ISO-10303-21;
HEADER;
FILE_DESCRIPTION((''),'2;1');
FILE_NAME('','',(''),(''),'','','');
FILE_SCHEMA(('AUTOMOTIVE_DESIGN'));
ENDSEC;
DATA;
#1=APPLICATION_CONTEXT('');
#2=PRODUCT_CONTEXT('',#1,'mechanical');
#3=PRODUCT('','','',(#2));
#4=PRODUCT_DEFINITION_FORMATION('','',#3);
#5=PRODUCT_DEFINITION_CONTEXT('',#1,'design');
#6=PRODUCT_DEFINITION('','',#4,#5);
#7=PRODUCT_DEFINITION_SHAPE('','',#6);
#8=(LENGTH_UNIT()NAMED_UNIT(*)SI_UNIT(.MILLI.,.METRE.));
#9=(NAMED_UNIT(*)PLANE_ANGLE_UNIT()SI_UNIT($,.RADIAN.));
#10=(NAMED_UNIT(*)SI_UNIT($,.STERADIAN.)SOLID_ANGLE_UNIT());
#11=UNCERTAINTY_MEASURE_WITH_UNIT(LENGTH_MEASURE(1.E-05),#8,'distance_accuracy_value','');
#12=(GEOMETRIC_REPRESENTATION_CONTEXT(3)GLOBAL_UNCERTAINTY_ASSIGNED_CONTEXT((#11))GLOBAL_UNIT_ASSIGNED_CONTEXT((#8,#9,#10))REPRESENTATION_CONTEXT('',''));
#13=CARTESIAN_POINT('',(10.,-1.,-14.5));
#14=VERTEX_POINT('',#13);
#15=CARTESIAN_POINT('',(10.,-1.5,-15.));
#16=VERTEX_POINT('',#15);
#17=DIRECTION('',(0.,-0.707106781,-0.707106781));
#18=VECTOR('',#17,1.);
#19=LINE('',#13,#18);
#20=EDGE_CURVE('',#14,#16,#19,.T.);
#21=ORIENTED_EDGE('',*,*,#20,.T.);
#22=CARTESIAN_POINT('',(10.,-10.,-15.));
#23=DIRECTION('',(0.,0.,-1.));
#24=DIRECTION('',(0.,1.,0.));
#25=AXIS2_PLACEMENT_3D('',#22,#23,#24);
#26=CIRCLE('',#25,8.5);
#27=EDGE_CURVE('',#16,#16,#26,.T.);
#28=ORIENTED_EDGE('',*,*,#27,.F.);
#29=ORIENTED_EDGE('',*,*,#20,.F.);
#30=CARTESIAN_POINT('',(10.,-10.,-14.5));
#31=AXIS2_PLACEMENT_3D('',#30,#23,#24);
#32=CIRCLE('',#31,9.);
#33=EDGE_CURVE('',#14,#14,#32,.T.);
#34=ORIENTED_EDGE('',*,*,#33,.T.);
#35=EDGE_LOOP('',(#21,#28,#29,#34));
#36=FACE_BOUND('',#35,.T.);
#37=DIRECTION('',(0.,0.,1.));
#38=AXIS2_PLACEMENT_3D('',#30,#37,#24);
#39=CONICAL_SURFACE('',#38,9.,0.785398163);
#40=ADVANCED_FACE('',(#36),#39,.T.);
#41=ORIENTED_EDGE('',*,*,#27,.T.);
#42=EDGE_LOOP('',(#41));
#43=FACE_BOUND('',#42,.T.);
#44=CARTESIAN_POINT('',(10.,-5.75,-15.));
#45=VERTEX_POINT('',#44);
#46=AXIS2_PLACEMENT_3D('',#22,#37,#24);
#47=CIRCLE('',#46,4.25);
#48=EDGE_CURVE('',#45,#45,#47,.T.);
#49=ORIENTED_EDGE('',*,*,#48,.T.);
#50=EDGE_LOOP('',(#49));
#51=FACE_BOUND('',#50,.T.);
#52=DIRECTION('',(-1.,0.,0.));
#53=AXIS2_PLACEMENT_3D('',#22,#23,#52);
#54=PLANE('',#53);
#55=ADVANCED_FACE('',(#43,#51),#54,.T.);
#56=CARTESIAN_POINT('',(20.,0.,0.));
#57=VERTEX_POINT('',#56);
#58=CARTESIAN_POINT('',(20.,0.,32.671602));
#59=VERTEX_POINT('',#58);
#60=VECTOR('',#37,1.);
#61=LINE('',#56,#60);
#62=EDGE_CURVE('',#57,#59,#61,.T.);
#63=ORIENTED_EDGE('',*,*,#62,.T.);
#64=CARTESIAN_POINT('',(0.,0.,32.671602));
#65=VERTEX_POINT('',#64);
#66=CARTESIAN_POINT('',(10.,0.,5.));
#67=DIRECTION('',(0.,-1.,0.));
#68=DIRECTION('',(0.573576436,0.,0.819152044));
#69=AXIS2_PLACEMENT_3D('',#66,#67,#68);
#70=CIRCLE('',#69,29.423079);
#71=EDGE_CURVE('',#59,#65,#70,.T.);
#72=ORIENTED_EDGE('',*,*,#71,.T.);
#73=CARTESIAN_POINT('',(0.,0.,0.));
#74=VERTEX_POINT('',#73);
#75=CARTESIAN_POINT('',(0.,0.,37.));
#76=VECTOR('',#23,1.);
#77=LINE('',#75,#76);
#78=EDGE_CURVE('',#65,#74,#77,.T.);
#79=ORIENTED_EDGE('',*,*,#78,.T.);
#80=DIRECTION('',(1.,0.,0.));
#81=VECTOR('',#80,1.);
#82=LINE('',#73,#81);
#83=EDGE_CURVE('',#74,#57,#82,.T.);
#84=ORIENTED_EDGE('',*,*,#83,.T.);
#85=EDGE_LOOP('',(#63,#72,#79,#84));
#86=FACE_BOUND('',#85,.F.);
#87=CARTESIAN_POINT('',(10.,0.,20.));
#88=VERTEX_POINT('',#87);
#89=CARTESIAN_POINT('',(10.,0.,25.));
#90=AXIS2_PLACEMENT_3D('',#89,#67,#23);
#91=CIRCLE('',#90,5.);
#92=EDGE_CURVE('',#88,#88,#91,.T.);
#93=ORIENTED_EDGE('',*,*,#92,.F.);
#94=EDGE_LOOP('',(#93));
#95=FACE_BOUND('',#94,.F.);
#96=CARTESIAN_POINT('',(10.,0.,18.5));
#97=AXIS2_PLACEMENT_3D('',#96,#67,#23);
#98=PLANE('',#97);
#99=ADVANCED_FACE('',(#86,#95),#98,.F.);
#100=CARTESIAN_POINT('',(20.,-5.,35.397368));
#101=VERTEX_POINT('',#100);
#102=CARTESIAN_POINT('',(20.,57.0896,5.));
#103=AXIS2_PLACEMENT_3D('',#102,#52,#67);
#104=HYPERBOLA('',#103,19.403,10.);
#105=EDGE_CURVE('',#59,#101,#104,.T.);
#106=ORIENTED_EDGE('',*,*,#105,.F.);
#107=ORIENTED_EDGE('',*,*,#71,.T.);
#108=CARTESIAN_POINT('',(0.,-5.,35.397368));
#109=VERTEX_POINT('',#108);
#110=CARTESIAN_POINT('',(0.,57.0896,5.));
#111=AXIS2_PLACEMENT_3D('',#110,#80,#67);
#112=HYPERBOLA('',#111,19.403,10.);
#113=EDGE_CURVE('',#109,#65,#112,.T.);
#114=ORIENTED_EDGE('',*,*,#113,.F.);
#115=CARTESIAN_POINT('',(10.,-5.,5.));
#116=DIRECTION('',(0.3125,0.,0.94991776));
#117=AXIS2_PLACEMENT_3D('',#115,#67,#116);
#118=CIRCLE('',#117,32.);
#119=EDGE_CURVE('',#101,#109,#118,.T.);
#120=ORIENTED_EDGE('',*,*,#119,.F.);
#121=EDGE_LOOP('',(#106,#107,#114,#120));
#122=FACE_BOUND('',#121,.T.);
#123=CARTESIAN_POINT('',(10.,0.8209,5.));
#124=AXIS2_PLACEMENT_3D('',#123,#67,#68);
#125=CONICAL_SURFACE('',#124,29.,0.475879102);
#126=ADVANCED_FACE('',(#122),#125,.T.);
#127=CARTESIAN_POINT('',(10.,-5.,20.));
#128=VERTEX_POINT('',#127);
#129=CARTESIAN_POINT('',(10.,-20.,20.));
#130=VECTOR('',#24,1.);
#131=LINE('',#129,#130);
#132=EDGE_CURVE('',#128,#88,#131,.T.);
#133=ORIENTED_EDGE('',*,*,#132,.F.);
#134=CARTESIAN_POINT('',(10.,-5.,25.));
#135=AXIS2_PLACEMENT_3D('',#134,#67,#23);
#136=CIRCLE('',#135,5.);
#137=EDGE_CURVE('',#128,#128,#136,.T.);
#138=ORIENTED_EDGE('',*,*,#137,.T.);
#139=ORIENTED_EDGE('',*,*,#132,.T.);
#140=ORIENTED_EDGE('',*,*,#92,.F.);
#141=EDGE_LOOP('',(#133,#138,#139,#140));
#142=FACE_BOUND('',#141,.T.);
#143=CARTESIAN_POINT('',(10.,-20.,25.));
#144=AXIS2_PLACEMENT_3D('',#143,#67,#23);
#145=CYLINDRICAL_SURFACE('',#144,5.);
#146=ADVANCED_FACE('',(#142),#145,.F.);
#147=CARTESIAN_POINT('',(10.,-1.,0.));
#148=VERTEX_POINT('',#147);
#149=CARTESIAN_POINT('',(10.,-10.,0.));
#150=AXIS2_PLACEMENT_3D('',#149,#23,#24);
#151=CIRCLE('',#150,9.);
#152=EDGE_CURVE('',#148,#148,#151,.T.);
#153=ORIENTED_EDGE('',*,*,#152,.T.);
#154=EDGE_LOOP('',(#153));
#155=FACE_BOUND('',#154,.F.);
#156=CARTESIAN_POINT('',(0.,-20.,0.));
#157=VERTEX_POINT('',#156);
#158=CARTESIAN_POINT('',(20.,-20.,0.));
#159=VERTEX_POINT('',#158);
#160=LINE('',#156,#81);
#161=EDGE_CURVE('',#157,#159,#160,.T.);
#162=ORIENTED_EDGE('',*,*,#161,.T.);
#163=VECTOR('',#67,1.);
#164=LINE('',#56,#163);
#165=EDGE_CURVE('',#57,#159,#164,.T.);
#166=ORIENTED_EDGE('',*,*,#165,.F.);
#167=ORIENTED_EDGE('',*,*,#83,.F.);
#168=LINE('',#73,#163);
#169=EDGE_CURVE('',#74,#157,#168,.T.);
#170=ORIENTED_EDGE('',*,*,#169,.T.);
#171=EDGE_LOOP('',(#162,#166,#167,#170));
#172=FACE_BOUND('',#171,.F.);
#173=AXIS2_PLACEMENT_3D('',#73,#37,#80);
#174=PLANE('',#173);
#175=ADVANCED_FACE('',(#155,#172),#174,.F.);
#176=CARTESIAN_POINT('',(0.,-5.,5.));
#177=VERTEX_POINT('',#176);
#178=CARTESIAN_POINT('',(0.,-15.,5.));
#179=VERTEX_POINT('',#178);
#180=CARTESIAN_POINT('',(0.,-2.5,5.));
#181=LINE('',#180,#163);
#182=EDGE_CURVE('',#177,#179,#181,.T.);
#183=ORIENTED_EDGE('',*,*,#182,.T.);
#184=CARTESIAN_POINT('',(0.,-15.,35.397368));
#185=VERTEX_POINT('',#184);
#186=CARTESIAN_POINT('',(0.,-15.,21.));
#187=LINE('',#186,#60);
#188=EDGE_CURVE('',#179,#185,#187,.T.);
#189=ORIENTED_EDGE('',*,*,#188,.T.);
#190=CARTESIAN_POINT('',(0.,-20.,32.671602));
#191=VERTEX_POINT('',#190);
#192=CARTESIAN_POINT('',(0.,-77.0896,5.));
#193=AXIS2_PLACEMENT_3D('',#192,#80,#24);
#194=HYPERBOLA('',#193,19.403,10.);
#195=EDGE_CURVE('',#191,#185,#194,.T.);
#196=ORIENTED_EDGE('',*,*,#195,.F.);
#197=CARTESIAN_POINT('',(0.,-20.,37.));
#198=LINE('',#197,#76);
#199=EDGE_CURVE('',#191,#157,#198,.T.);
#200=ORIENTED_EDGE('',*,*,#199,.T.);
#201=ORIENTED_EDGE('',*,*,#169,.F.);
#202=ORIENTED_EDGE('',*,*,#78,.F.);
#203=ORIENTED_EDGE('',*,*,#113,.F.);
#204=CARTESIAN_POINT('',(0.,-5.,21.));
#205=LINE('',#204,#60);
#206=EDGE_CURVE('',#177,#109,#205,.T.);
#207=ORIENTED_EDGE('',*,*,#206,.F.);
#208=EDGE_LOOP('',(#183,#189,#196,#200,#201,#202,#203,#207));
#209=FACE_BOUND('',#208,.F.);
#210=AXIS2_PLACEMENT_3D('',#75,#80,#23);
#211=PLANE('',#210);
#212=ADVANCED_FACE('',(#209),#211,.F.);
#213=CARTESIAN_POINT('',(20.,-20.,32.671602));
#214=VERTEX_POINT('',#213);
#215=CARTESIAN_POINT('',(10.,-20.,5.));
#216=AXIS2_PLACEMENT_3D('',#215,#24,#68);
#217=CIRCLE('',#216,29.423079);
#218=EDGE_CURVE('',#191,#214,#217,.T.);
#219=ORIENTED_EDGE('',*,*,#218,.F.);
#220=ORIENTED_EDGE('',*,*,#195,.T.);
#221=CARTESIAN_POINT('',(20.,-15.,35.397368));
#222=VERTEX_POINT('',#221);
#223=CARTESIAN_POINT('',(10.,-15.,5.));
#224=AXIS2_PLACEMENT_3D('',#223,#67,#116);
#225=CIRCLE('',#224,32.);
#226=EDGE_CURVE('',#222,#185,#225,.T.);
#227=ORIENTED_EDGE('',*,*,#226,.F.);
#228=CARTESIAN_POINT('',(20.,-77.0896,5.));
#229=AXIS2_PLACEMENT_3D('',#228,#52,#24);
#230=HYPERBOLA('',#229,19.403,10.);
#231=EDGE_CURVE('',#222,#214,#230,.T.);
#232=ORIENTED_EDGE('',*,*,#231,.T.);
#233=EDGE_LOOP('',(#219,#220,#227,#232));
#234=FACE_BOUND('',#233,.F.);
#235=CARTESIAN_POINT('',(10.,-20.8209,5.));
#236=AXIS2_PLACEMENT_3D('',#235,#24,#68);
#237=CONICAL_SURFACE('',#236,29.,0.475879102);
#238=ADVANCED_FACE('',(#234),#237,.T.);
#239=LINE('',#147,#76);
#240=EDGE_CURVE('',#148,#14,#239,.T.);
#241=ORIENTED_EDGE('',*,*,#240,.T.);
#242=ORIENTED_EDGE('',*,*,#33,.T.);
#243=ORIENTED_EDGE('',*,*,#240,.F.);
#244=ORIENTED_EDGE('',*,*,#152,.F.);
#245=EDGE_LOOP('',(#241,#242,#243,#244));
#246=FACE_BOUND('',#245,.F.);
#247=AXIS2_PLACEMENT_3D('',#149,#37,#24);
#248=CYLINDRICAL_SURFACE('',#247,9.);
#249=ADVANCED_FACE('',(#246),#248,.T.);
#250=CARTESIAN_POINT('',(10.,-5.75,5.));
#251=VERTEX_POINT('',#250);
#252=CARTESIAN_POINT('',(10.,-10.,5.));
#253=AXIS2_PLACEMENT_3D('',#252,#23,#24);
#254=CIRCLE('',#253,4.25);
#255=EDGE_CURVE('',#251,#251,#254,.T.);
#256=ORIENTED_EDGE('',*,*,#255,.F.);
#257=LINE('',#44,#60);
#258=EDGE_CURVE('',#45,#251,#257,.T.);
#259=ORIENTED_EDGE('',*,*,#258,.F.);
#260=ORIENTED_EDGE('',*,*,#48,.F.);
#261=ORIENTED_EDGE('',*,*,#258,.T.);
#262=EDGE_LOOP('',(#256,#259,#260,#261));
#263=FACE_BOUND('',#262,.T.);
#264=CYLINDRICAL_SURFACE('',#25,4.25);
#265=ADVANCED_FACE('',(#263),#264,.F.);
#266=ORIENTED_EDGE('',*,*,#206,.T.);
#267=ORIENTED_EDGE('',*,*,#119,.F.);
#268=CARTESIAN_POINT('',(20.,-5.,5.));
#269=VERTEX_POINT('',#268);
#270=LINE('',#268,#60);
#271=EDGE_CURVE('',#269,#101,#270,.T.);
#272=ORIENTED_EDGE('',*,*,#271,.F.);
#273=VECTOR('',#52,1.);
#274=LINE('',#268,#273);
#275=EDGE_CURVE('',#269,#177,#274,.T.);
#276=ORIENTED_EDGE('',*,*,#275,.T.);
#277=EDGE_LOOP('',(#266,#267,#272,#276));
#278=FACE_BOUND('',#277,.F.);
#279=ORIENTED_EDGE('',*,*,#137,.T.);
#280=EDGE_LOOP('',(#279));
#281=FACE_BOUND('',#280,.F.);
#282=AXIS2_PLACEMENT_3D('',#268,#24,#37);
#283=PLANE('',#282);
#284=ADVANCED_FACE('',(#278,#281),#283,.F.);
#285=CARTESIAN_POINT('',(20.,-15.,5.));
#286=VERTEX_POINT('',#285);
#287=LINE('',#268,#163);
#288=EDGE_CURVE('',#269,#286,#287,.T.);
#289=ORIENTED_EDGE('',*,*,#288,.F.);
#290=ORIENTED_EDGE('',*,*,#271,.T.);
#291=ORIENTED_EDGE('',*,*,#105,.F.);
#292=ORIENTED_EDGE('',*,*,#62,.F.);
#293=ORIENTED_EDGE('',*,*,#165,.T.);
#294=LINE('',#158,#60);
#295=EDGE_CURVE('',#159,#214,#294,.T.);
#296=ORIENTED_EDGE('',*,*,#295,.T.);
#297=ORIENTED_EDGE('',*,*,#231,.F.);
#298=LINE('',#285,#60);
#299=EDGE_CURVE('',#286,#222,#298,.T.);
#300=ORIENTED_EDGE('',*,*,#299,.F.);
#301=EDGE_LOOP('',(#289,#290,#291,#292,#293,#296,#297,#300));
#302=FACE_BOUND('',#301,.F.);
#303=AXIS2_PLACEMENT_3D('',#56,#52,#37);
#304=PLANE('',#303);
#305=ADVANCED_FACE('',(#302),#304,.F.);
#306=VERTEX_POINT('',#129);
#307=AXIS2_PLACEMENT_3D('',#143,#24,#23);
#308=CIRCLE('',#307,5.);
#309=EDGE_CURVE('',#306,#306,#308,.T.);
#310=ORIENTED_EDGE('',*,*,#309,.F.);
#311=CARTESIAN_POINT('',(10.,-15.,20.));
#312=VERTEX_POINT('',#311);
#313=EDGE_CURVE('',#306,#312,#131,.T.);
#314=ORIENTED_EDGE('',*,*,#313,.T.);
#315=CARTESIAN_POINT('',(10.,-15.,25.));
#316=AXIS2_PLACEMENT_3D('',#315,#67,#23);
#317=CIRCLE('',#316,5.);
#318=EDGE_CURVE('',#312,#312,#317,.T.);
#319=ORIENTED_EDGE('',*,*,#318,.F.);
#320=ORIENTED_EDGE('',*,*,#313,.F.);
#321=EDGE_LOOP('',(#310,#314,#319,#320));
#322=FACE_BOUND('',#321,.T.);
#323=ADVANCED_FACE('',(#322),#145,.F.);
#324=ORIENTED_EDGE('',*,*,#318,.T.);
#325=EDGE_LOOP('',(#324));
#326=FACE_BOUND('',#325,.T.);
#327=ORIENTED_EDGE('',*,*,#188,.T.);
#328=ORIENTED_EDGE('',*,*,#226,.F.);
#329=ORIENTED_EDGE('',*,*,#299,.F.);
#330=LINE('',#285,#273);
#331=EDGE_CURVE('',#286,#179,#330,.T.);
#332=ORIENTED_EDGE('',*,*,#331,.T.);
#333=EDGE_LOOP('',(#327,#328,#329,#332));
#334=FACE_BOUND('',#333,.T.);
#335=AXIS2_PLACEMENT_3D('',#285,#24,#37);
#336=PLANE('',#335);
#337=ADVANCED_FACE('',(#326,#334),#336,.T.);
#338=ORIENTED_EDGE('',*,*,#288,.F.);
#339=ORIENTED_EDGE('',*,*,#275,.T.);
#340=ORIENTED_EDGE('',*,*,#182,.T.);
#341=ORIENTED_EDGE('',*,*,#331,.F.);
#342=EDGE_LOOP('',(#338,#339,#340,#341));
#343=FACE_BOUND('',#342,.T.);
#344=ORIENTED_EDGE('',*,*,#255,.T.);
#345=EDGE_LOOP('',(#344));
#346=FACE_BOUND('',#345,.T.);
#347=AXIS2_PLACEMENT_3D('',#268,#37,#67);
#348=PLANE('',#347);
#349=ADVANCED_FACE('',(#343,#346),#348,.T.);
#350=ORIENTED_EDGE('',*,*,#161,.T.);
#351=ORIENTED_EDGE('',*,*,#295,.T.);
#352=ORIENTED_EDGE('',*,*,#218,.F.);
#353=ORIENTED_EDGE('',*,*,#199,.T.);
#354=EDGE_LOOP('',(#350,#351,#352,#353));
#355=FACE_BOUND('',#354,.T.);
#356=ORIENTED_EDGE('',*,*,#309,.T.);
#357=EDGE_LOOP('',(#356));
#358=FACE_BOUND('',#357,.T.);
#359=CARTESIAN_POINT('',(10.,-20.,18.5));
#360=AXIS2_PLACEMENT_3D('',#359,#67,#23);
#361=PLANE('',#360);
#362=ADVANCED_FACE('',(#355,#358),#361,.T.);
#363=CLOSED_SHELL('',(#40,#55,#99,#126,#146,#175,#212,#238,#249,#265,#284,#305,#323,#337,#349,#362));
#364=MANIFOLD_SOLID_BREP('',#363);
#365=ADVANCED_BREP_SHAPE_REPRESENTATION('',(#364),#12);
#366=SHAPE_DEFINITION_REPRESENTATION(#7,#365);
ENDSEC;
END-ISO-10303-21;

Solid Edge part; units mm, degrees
sketch "Sketch1" plane through (0, 0, 0) normal (0, -1, 0) x (1, 0, 0)
  line L0 (0, 0) -> (20, 0)
  line L1 (20, 0) -> (20, 37)
  line L2 (20, 37) -> (0, 37)
  line L3 (0, 37) -> (0, 0)
extrude "Protrusion1" add sketch "Sketch1" along normal blind 20
sketch "Sketch2" plane through (20, -10, 18.5) normal (1, 0, 0) x (0, 1, 0)
  line L0 (5, -13.5) -> (5, 20.0916)
  line L1 (5, -13.5) -> (-5, -13.5)
  line L2 (-5, -13.5) -> (-5, 24.1099)
extrude "Cutout1" cut sketch "Sketch2" against normal blind 44.45 material side at (20, -5.05, 21.7958)
sketch "Sketch3" plane through (10, -10, 0) normal (0, 0, -1) x (0, 1, 0)
  circle A0 centre (0, 0) radius 9
extrude "Protrusion2" add sketch "Sketch3" along normal blind 15
chamfer "Chamfer1" distance 0.5 angle 45 1 edges at (10, -19, -15)
hole "Hole1" at (10, -10, -15) direction (0, 0, 1) diameter 8.5 end through all
hole "Hole_2" at (10, -20, 25) direction (0, 1, 0) diameter 10 end through all
sketch "Sketch4" plane through (10, -10, 18.5) normal (1, 0, 0) x (0, 1, 0)
  line L0 (10.8209, 15.5) -> (5, 18.5)
  line L1 (-5, 18.5) -> (5, 18.5)
  line L2 (-10.8209, 15.5) -> (-5, 18.5)
revolve "RevolvedCutout1" cut sketch "Sketch4" angle 70 mid plane about axis through (10, -5, 5) along (0, -1, 0) material side at (10, -2.0666, 35.5444)
properties part number "45644"
